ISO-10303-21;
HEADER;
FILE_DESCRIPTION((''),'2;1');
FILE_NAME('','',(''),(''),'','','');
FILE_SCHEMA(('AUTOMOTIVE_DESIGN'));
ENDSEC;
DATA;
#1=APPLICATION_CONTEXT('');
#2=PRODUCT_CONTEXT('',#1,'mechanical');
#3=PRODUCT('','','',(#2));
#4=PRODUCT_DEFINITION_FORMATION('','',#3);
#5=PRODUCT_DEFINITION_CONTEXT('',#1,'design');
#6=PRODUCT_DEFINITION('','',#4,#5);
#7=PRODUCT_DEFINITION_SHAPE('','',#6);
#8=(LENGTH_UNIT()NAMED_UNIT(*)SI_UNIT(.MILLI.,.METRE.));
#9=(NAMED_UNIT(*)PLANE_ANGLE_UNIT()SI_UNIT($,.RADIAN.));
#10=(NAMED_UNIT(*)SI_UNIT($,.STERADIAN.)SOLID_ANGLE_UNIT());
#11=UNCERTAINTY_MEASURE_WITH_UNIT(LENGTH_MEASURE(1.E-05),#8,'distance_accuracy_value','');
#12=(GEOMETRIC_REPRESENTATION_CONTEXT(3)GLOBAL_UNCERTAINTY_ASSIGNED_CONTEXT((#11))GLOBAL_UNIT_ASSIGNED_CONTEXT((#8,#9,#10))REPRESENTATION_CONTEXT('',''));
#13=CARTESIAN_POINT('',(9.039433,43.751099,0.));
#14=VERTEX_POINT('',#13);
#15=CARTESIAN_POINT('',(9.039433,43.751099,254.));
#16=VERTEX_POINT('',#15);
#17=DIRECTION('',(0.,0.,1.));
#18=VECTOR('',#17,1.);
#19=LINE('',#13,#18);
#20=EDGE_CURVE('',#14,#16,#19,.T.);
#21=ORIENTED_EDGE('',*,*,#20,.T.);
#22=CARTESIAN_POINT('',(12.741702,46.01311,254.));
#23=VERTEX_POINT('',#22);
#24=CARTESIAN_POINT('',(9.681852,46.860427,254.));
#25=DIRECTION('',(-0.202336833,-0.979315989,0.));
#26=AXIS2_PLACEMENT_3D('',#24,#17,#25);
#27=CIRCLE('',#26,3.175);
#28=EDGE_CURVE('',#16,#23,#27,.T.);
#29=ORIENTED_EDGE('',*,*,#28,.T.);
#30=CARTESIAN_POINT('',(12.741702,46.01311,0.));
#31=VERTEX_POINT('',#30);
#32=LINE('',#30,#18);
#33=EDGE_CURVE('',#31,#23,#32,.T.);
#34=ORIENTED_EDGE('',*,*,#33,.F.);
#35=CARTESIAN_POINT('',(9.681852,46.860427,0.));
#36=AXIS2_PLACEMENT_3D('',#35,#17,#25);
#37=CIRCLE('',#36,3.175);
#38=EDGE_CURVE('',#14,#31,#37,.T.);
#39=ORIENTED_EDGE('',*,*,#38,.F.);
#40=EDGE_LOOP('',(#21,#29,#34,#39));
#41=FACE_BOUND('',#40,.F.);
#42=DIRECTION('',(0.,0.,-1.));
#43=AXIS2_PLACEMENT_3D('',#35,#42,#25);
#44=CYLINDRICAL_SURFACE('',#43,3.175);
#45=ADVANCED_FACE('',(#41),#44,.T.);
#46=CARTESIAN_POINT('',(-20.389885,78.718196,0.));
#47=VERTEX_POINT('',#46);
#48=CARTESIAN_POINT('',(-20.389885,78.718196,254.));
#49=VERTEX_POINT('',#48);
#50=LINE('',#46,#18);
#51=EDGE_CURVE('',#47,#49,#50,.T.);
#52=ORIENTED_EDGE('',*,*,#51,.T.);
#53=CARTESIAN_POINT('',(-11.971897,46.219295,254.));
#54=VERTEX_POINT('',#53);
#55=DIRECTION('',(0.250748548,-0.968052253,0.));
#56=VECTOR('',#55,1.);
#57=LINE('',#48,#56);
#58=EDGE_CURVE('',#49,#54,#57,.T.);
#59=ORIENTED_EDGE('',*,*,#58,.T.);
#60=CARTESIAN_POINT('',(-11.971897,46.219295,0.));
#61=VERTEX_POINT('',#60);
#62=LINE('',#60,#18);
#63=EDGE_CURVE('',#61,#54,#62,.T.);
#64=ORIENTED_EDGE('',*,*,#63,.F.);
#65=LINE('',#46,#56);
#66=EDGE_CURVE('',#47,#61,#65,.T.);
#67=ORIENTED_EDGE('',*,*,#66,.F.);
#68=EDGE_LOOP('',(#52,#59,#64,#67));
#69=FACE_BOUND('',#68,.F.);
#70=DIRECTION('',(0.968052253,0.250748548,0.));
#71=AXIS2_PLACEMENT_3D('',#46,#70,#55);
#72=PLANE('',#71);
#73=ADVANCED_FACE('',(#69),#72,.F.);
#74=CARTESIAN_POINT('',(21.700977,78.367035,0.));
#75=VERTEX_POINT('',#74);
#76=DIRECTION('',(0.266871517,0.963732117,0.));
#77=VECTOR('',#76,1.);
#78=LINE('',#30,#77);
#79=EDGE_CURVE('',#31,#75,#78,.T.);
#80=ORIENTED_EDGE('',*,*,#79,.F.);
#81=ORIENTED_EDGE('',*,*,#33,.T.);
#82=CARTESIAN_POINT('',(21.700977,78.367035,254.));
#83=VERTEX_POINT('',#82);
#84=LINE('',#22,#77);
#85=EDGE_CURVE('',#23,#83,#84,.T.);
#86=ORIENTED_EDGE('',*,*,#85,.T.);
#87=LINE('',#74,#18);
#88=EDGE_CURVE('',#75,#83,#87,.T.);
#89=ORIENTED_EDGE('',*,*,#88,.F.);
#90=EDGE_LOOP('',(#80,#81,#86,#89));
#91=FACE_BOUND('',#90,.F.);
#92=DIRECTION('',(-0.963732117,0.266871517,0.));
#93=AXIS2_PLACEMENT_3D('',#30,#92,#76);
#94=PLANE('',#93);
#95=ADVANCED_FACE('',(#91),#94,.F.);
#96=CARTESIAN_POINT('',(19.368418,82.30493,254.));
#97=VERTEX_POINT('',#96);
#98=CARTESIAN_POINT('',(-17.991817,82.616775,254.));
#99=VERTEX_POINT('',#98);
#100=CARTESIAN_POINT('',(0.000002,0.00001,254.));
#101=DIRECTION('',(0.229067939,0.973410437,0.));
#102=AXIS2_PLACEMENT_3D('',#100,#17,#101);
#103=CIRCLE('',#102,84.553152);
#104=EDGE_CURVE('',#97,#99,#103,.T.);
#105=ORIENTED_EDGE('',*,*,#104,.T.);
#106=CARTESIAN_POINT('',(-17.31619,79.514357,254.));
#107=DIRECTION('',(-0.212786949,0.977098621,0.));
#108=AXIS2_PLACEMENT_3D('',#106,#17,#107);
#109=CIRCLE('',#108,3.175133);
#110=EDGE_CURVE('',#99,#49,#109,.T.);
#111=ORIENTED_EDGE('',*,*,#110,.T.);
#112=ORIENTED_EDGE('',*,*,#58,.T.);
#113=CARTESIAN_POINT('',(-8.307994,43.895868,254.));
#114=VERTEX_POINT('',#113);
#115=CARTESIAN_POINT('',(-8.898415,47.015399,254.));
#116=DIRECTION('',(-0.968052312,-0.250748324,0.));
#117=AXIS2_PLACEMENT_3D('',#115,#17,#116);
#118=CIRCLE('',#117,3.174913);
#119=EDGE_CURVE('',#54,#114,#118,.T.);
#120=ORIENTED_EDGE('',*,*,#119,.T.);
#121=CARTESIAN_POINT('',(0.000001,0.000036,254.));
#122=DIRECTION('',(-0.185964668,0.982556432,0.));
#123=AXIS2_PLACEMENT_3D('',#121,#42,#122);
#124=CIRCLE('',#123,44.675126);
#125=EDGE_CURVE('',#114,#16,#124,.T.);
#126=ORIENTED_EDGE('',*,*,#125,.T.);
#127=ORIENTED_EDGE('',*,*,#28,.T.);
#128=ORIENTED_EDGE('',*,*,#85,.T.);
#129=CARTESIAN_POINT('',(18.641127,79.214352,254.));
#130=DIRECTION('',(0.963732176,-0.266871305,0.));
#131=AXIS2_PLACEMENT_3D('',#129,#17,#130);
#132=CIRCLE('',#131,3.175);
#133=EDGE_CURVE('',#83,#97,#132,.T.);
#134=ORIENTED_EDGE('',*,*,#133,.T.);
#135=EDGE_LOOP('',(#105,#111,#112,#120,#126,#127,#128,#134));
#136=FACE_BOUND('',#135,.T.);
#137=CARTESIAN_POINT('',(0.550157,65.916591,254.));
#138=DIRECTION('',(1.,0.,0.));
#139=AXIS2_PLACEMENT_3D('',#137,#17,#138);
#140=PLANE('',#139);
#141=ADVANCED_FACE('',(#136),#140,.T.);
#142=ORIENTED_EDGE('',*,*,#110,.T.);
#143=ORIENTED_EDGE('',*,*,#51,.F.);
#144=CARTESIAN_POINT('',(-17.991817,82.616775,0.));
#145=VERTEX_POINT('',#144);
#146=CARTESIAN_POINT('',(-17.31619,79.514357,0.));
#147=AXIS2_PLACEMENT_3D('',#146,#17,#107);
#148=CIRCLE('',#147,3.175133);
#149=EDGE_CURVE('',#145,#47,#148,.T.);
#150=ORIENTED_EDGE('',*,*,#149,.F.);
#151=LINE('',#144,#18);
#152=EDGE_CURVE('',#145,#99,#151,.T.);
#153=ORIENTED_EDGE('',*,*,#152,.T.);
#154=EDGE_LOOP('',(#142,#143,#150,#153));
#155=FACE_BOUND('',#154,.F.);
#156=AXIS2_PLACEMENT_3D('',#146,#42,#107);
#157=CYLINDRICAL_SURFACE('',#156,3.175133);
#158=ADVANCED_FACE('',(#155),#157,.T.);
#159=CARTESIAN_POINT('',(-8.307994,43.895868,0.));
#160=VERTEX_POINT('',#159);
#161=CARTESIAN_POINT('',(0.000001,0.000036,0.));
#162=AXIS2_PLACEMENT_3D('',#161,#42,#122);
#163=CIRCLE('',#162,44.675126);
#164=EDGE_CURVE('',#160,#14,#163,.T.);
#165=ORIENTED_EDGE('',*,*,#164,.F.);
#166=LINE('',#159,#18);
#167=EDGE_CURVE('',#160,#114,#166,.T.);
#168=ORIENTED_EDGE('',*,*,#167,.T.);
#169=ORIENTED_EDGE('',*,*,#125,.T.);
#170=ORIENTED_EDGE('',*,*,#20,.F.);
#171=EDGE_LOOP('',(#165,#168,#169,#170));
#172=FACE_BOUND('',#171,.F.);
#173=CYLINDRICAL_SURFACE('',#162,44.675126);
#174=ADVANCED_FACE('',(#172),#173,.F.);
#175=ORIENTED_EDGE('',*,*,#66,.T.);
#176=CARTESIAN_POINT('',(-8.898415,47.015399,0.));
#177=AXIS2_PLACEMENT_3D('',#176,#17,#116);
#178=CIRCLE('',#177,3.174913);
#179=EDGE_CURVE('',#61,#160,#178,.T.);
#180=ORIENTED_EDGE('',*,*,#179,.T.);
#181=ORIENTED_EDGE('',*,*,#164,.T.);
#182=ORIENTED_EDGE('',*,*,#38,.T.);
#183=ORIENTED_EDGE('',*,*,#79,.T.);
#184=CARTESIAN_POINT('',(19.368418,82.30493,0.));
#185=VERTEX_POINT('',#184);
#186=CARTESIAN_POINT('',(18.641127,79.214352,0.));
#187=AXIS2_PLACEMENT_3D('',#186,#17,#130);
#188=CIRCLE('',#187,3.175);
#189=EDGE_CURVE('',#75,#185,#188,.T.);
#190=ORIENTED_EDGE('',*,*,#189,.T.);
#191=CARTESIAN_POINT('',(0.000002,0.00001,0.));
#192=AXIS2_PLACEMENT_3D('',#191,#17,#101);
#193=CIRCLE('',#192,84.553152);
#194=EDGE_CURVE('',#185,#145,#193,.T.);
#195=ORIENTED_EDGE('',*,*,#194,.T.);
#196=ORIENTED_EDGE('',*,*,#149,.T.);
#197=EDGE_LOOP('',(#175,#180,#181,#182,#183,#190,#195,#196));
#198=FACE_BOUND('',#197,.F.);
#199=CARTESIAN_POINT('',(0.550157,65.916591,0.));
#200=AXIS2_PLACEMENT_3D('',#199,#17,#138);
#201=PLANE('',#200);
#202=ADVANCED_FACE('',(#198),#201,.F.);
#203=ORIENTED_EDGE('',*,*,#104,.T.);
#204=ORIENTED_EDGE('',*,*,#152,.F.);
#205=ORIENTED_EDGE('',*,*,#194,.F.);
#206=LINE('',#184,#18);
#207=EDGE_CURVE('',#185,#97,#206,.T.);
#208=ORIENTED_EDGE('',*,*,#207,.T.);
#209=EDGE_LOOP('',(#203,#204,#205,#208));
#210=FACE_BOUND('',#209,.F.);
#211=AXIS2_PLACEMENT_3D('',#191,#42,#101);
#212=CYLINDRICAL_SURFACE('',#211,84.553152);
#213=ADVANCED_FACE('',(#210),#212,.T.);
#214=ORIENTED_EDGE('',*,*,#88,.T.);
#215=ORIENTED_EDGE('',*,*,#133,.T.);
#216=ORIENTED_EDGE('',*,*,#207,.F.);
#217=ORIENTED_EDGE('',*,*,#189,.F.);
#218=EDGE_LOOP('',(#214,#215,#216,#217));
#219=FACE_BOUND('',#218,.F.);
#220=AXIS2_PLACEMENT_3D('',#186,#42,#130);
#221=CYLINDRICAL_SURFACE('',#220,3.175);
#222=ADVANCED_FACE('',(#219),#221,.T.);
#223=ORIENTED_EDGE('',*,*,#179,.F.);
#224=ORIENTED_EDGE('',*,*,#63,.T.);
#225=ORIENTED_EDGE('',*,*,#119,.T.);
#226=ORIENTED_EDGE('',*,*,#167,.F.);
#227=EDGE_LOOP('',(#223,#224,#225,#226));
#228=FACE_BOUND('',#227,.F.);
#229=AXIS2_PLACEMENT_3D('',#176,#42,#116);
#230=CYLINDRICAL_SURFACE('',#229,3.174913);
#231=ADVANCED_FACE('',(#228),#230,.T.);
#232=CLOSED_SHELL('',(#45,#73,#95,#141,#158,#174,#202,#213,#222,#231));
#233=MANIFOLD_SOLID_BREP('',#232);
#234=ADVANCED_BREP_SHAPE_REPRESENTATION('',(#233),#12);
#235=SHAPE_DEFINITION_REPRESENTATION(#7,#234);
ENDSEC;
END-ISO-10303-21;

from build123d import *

# Parameters (mm, degrees)
F1_DEPTH = 254


with BuildPart() as f1:
    # F0 (on Top) → F1 (new body)
    with BuildSketch(Plane.XY):
        with BuildLine():
            ThreePointArc((21.700977, 78.367035), (21.37286, 80.832456), (19.368418, 82.30493))
            ThreePointArc((19.368418, 82.30493), (0.70574, 84.550216), (-17.991817, 82.616775))
            ThreePointArc((-17.991817, 82.616775), (-20.020646, 81.177904), (-20.389885, 78.718196))
            Line((-20.389885, 78.718196), (-11.971897, 46.219295))
            ThreePointArc((-11.971897, 46.219295), (-10.598702, 44.33415), (-8.307994, 43.895868))
            ThreePointArc((-8.307994, 43.895868), (0.372814, 44.673606), (9.039433, 43.751099))
            ThreePointArc((9.039433, 43.751099), (11.337197, 44.151099), (12.741702, 46.01311))
            Line((12.741702, 46.01311), (21.700977, 78.367035))
        make_face()
    extrude(amount=F1_DEPTH)


solid = f1.part
